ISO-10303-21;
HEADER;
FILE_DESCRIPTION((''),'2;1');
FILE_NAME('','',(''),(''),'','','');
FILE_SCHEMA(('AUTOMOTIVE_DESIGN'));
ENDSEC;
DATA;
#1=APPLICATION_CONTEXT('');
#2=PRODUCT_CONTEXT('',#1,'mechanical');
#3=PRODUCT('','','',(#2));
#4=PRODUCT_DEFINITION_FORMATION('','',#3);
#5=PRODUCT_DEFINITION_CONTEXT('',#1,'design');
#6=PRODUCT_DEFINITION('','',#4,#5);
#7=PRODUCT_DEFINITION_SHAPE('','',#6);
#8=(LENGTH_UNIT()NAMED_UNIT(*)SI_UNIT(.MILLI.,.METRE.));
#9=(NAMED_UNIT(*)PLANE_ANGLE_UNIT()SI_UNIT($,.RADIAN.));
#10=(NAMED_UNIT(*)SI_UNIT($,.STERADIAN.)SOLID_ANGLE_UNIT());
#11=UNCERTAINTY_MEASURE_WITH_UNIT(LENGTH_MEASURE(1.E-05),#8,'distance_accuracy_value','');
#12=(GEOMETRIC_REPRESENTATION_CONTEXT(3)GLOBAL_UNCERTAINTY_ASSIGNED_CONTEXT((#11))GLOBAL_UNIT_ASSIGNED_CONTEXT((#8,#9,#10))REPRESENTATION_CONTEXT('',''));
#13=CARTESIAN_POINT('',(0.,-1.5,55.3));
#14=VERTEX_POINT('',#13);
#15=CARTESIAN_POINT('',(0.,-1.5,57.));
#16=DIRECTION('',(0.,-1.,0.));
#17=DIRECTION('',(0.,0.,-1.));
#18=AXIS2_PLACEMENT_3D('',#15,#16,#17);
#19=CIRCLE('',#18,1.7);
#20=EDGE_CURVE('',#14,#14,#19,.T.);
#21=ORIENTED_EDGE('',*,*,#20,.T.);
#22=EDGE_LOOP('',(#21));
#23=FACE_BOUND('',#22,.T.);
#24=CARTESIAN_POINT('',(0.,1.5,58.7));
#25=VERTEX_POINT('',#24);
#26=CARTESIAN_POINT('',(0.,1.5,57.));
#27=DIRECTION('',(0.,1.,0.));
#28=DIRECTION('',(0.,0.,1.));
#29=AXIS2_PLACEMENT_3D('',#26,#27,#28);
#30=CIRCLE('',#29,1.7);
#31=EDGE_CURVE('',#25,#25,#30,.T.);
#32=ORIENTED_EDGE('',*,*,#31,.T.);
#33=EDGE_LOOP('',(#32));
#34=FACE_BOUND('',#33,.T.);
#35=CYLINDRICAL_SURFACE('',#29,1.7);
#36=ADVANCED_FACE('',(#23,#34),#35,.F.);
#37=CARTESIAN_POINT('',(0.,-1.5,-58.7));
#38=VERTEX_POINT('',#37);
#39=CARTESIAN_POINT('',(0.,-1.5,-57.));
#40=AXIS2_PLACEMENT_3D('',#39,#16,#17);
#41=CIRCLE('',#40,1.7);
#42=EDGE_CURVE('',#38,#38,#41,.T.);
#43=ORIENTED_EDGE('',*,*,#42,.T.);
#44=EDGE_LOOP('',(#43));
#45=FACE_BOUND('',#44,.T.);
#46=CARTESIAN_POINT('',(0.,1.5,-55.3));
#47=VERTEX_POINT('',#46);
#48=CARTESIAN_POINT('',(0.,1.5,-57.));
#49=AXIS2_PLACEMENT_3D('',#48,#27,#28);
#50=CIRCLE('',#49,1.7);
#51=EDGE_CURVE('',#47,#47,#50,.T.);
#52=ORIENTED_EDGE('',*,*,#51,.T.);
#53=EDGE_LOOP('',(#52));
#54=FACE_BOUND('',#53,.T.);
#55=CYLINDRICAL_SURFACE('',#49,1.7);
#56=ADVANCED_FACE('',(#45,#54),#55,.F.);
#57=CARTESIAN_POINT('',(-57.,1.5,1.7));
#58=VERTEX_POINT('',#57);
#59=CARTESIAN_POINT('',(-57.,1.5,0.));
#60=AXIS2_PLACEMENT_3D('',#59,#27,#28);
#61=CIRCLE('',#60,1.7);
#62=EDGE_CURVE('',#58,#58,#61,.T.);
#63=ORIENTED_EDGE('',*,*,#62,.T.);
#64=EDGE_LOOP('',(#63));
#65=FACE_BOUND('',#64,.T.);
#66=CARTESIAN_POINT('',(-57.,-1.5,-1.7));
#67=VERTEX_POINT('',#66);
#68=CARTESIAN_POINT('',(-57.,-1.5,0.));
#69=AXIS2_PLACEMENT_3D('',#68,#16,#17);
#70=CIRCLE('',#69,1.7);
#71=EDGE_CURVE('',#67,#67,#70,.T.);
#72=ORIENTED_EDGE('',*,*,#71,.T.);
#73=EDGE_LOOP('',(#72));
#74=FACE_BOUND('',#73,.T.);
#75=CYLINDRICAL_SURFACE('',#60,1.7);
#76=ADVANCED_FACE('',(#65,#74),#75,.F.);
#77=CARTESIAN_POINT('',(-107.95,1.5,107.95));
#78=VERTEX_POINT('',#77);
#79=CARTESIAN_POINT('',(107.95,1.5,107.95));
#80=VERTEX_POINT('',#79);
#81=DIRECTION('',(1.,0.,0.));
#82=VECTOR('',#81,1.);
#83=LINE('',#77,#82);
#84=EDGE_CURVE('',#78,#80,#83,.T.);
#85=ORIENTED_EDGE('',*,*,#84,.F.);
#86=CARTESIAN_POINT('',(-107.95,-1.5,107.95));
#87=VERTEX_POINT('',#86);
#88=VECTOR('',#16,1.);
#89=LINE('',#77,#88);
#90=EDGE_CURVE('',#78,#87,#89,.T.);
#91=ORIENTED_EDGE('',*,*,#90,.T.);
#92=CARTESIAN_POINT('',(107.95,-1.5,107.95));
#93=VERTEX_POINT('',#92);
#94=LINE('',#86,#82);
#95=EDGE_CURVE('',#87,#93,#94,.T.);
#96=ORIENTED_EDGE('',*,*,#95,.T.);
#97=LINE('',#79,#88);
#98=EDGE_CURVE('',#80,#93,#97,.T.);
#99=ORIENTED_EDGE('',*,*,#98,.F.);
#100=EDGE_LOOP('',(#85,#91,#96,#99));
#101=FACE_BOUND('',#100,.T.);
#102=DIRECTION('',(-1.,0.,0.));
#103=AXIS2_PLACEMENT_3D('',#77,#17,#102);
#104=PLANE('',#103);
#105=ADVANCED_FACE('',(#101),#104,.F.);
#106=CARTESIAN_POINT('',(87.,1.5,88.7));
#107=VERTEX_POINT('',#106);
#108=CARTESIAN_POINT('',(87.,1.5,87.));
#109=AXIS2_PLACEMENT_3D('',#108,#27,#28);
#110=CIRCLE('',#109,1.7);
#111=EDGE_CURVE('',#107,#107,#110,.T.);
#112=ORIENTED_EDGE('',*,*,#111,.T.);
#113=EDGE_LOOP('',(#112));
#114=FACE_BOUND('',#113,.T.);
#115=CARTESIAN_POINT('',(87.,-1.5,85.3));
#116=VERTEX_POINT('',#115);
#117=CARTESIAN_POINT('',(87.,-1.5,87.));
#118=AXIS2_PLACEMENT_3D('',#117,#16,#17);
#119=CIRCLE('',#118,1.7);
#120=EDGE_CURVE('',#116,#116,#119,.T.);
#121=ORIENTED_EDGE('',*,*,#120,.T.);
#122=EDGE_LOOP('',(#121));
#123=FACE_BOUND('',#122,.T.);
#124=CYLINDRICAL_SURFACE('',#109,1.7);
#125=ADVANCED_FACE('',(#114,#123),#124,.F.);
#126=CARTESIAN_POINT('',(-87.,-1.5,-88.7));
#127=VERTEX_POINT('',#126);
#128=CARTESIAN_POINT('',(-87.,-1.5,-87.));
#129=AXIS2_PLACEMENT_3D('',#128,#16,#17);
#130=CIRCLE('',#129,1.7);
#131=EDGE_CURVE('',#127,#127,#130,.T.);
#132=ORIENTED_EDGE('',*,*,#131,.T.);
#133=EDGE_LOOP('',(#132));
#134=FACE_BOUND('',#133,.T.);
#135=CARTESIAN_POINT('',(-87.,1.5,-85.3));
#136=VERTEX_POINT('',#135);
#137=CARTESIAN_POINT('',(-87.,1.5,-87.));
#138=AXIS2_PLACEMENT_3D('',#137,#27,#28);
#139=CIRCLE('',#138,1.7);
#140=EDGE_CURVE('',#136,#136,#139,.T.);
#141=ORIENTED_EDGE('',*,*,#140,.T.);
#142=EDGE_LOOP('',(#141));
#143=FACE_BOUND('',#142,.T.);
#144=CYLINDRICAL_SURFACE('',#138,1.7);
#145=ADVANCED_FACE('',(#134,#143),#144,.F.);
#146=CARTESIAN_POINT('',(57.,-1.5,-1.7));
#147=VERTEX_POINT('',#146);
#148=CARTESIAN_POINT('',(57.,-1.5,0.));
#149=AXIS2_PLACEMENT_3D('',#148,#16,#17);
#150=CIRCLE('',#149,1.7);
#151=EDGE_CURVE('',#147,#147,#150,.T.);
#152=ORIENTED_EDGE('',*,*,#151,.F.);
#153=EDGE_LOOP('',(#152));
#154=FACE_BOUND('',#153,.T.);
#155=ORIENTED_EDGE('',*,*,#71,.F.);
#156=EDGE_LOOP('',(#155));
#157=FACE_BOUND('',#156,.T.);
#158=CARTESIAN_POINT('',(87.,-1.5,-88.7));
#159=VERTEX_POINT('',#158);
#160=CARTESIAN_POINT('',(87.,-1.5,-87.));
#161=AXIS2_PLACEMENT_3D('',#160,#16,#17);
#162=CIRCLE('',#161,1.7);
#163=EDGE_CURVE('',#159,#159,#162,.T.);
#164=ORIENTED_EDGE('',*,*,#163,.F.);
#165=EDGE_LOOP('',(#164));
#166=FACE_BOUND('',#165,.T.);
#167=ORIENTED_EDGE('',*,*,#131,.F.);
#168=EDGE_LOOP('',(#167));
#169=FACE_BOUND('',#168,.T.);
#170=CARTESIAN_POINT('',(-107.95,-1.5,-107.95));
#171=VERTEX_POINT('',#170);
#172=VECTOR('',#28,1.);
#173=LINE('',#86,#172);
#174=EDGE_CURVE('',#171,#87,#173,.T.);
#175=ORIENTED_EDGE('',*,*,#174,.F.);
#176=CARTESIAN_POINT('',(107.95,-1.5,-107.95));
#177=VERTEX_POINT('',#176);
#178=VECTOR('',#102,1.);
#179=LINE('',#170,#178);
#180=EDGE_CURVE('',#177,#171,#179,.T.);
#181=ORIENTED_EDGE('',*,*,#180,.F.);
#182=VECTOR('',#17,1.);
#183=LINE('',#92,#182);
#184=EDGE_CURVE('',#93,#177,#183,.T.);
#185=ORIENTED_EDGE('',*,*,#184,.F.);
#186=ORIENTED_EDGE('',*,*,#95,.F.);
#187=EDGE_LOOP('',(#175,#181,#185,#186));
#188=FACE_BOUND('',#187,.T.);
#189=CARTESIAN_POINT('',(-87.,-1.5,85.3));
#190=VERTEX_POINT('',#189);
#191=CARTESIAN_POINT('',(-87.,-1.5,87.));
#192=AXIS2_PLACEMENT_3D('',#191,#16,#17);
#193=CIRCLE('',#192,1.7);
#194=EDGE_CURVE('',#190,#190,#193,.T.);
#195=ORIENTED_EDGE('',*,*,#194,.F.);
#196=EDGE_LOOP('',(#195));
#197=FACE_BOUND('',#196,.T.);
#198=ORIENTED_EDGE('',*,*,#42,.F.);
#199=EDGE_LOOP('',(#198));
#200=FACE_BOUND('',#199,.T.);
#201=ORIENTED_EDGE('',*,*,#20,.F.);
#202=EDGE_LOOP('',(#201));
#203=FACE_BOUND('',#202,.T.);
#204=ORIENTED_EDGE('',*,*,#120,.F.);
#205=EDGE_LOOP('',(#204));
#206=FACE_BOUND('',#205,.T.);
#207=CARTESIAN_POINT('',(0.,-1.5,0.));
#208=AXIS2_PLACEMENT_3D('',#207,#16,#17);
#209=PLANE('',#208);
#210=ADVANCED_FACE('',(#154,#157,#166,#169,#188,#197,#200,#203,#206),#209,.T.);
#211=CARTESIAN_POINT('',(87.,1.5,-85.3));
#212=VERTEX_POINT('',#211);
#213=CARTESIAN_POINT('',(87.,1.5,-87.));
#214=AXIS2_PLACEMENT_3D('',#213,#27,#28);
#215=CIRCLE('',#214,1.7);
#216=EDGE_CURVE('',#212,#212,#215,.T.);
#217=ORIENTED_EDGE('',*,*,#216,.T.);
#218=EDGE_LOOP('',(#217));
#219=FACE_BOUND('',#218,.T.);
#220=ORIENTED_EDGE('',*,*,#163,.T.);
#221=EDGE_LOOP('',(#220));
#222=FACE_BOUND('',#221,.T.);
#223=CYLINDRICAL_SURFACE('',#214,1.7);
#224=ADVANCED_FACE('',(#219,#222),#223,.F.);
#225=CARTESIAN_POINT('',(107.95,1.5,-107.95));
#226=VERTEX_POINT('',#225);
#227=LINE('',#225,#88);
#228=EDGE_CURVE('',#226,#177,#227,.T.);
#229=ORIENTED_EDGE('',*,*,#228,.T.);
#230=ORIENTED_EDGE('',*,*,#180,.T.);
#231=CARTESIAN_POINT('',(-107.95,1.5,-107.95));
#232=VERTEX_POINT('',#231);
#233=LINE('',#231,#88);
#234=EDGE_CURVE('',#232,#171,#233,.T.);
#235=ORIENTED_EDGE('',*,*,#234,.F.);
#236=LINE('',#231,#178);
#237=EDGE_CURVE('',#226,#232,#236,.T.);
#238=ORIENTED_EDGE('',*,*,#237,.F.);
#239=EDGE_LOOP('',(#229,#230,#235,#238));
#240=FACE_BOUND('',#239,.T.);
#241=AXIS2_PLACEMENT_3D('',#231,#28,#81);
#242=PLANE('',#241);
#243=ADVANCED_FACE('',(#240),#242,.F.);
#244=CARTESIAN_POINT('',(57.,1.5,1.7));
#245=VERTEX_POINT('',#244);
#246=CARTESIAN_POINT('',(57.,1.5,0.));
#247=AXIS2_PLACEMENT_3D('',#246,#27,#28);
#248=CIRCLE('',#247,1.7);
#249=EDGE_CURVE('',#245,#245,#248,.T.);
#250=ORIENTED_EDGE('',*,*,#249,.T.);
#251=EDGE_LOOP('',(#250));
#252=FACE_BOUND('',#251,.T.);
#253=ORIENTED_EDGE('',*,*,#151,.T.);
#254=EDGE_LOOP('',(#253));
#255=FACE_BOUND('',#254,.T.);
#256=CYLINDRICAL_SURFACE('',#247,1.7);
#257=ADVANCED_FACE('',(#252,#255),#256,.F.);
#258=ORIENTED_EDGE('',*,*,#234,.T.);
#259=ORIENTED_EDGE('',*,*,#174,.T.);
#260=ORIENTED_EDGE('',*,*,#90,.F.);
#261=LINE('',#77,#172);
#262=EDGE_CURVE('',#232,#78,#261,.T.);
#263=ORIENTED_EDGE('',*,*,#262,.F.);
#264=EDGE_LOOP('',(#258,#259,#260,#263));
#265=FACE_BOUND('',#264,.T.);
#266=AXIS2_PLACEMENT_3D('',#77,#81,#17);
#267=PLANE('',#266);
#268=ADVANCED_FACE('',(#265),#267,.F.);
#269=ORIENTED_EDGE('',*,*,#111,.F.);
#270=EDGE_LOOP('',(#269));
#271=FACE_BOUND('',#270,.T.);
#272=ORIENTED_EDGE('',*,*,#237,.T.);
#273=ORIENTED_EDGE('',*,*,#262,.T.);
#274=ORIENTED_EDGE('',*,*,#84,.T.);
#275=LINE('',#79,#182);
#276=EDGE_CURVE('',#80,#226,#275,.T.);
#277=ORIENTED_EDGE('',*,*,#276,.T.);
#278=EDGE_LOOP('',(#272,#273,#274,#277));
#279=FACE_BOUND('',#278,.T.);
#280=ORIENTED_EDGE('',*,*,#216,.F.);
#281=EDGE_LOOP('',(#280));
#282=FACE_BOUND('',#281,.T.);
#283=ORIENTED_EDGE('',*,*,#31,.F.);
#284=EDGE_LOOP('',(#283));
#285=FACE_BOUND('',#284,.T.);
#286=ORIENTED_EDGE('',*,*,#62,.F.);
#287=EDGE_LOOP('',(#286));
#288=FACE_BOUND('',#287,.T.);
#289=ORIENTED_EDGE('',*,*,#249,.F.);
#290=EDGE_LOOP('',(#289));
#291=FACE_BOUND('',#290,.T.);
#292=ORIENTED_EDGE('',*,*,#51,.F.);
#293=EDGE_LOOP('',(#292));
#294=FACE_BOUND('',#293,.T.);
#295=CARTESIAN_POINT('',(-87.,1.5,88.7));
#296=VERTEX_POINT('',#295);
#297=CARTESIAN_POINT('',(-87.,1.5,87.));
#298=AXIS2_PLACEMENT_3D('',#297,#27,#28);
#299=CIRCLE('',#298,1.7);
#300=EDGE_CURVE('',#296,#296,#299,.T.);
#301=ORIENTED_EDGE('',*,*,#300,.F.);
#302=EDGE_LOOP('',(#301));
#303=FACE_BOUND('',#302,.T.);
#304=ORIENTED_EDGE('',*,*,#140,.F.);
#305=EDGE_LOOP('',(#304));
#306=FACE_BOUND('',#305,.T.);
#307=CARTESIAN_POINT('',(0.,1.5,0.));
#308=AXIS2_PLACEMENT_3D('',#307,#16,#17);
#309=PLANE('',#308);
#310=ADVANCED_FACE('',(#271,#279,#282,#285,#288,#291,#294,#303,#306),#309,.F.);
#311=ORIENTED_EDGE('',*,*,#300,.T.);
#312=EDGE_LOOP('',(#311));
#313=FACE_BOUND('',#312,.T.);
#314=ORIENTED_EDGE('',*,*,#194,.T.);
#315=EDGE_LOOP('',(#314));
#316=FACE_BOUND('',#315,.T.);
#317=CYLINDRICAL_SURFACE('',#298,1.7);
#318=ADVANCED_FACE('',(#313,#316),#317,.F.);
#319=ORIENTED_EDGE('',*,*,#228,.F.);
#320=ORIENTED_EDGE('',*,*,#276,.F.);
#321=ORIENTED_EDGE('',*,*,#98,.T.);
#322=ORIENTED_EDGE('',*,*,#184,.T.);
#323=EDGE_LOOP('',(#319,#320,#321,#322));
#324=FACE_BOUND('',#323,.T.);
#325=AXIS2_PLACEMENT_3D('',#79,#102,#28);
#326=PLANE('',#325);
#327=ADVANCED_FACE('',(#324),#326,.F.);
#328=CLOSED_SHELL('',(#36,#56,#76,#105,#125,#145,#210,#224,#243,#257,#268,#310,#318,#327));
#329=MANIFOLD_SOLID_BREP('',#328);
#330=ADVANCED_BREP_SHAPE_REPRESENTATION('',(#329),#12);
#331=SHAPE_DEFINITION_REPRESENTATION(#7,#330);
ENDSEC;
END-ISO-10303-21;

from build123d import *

# Parameters (mm, degrees)
SKETCH1_W                = 215.9
SKETCH1_H                = 215.9
BOSS_EXTRUDE1_DEPTH      = 1.5
M3_CLEARANCE_HOLE1_D     = 3.4
M3_CLEARANCE_HOLE1_DEPTH = 10
M3_CLEARANCE_HOLE1_TIP   = 1.021463052


with BuildPart() as part:
    # Sketch1 → Boss-Extrude1 (new, symmetric)
    with BuildSketch(Plane(origin=(0, 0, 0), x_dir=(1, 0, 0), z_dir=(0, 1, 0))):
        Rectangle(SKETCH1_W, SKETCH1_H)
    extrude(amount=BOSS_EXTRUDE1_DEPTH, both=True)

    # M3 Clearance Hole1
    with Locations(Plane(origin=(-87, 1.5, -87), x_dir=(0, 0, 1), z_dir=(0, 1, 0))):
        with Locations((0, 0), (30, 87), (0, 174), (87, 144), (174, 174), (144, 87), (174, 0), (87, 30)):
            Hole(M3_CLEARANCE_HOLE1_D / 2, depth=M3_CLEARANCE_HOLE1_DEPTH)
            with Locations((0, 0, -(M3_CLEARANCE_HOLE1_DEPTH + M3_CLEARANCE_HOLE1_TIP / 2))):  # 118° drill point
                Cone(0, M3_CLEARANCE_HOLE1_D / 2, M3_CLEARANCE_HOLE1_TIP, mode=Mode.SUBTRACT)


solid = part.part
